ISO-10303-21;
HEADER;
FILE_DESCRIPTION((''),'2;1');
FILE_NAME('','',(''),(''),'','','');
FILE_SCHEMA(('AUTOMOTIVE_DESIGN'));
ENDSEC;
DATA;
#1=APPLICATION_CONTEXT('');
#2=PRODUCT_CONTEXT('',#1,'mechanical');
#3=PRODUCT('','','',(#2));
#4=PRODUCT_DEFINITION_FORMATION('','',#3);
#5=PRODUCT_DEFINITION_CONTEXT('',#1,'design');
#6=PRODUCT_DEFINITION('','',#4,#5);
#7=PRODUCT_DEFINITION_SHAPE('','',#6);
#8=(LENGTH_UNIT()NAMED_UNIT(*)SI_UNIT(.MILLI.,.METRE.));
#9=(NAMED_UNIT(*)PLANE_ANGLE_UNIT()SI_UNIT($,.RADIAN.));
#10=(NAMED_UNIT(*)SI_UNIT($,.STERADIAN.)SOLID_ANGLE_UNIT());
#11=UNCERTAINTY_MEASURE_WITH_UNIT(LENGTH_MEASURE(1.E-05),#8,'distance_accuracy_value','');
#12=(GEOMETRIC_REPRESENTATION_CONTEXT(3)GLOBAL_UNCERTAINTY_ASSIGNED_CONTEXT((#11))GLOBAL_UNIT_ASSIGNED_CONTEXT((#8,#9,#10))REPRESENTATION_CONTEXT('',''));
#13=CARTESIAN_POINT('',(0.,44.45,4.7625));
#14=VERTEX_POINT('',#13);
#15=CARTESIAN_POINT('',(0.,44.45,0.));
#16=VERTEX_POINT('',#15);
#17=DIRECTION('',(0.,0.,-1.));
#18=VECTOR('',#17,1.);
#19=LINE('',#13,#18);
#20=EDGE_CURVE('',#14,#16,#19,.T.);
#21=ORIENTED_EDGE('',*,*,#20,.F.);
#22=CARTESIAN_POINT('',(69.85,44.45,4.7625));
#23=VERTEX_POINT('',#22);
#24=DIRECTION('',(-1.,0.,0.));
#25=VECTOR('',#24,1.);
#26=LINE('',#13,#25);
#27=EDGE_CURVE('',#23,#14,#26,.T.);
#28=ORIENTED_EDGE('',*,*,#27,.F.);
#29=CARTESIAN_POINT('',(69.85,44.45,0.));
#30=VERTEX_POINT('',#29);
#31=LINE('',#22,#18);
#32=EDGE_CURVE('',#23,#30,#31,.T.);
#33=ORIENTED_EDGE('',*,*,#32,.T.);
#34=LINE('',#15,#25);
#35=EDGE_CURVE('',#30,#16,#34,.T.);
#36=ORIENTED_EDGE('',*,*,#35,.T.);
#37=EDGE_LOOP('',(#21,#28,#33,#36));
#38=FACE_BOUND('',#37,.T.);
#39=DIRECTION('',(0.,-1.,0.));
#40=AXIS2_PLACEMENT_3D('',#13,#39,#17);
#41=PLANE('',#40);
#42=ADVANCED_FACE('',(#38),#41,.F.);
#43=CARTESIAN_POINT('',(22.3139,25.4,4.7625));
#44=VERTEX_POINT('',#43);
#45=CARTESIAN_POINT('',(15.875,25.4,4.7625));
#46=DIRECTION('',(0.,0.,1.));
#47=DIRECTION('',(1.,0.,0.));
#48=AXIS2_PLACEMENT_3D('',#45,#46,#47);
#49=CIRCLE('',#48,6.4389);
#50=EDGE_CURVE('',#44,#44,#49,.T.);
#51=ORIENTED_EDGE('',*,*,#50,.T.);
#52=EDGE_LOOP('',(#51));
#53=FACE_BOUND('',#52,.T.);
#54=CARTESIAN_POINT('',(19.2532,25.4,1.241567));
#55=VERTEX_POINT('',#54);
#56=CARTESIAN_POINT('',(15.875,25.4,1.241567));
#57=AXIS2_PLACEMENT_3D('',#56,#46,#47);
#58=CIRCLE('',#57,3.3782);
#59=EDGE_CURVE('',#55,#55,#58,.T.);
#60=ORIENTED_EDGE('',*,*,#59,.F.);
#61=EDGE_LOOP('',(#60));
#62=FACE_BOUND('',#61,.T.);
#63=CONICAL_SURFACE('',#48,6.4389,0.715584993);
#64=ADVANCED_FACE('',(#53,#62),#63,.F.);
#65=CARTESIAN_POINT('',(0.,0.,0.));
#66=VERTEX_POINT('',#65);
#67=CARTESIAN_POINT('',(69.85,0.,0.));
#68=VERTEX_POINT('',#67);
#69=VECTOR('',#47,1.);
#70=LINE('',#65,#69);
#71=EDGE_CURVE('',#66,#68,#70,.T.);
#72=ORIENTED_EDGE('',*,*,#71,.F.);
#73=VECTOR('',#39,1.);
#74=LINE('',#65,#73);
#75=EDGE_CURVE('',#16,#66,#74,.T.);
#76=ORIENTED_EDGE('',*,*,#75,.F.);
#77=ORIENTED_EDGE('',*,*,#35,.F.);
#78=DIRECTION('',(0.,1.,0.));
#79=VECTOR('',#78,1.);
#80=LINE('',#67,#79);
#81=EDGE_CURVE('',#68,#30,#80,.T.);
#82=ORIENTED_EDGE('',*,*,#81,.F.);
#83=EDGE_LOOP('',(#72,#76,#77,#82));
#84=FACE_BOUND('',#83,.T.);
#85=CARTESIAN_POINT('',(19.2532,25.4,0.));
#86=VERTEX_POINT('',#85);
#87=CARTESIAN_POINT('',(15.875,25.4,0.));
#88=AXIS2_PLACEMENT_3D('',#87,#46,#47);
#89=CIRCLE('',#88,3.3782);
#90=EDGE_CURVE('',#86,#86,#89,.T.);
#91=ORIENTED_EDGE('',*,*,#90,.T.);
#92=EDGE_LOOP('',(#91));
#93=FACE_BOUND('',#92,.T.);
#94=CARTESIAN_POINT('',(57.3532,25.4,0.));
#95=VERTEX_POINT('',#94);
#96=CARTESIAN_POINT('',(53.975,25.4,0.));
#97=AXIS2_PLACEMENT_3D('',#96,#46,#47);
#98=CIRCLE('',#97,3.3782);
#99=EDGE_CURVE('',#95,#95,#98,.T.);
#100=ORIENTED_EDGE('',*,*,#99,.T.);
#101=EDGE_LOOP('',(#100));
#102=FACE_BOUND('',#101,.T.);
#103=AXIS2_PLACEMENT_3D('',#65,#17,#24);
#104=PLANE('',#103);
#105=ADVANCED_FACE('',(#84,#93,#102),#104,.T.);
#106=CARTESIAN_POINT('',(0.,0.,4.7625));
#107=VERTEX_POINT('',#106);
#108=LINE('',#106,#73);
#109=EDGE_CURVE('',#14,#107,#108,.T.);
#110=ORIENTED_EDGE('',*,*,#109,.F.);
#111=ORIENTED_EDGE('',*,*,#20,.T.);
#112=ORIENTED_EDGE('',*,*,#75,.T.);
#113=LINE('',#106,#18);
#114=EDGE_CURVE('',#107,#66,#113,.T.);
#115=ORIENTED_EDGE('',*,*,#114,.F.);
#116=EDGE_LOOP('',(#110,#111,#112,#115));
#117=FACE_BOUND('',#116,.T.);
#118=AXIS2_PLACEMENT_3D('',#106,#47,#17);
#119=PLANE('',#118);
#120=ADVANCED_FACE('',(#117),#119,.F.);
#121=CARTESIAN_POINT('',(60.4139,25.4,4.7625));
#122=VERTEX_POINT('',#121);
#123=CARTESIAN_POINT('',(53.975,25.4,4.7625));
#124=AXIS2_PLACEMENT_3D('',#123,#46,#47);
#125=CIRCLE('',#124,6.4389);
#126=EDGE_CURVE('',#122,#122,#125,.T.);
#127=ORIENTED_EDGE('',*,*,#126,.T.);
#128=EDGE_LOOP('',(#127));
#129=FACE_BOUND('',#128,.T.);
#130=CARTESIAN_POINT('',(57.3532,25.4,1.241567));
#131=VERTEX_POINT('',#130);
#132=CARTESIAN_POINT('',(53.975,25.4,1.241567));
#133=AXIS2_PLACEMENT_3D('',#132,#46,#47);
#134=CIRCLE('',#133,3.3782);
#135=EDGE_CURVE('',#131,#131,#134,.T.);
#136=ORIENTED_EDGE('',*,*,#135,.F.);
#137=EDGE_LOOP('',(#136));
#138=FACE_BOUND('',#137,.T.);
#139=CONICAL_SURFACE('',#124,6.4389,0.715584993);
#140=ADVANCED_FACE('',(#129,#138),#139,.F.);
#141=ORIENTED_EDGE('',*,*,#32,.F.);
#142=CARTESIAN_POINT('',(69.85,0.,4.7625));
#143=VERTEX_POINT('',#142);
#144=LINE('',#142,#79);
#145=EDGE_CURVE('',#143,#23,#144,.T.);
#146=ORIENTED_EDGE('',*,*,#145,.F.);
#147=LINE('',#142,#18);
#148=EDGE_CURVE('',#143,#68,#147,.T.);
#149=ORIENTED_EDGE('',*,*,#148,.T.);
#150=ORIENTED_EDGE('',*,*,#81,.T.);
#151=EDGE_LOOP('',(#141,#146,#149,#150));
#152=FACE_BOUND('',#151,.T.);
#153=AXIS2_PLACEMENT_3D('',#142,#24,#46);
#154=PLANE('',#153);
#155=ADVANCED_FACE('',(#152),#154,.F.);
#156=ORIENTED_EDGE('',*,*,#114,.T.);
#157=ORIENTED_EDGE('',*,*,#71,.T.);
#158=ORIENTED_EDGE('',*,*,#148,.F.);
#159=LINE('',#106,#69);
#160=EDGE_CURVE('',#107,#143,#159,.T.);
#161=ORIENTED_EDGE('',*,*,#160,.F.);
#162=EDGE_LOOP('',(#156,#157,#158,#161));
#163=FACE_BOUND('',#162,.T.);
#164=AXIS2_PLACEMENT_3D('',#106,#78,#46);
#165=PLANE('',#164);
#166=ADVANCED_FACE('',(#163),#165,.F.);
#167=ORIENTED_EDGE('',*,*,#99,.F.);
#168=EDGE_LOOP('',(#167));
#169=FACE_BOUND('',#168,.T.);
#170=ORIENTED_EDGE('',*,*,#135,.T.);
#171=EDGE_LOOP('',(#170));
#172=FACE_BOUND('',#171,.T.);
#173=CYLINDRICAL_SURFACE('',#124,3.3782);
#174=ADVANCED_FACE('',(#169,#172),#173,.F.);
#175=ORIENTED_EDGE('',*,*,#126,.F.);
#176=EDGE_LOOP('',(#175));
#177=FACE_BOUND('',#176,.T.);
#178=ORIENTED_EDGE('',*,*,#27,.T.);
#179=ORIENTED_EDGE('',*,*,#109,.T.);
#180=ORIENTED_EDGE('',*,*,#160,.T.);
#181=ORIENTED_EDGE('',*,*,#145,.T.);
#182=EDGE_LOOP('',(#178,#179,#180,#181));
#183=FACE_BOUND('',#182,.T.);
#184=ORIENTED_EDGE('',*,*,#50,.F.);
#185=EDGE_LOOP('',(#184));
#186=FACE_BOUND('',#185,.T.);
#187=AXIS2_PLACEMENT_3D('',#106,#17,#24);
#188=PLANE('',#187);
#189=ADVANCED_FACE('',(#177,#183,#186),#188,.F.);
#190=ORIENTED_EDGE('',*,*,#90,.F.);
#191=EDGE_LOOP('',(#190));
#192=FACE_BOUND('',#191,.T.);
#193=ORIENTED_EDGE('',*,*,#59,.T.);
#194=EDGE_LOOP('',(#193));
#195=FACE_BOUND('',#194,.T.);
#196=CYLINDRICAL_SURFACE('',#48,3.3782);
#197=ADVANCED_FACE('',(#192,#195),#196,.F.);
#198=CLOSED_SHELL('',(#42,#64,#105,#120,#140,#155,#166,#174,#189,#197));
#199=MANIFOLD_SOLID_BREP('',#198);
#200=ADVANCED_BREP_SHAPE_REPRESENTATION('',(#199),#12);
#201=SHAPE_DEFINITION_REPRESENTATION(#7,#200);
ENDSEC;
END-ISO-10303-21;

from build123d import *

# Parameters (mm, degrees)
CROQUIS1_W                                  = 69.85
CROQUIS1_H                                  = 44.45
SALIENTE_EXTRUIR1_DEPTH                     = 4.7625
AVELLANADO_PARA_TORNILLO_CON_CABEZA_2_COUNT = 2
AVELLANADO_PARA_TORNILLO_CON_CABEZA_2_PITCH = 38.1


with BuildPart() as part:
    # Croquis1 → Saliente-Extruir1 (new body)
    with BuildSketch(Plane.XY):
        with Locations((34.925, 22.225)):
            Rectangle(CROQUIS1_W, CROQUIS1_H)
    extrude(amount=SALIENTE_EXTRUIR1_DEPTH)

    # Croquis3 → Avellanado para tornillo con cabeza ovalada de 1/41 (revolve, cut)
    with BuildSketch(Plane(origin=(53.975, 25.4, 4.7625), x_dir=(0, -1, 0), z_dir=(1, 0, 0))):
        Polygon((0, 0), (0, 4.7625), (3.3782, 4.7625), (3.3782, 3.520932584), (6.4389, 0), align=None)
    avellanado_para_tornillo_con_cabeza_oval = revolve(axis=Axis((53.975, 25.4, 11.1125), (0, 0, -1)), mode=Mode.SUBTRACT)

    # Avellanado para tornillo con cabeza  2: Avellanado para tornillo con cabeza ovalada de 1/41 ×2
    with Locations(*[(-i * AVELLANADO_PARA_TORNILLO_CON_CABEZA_2_PITCH, 0, 0) for i in range(1, AVELLANADO_PARA_TORNILLO_CON_CABEZA_2_COUNT)]):
        add(avellanado_para_tornillo_con_cabeza_oval, mode=Mode.SUBTRACT)


solid = part.part
